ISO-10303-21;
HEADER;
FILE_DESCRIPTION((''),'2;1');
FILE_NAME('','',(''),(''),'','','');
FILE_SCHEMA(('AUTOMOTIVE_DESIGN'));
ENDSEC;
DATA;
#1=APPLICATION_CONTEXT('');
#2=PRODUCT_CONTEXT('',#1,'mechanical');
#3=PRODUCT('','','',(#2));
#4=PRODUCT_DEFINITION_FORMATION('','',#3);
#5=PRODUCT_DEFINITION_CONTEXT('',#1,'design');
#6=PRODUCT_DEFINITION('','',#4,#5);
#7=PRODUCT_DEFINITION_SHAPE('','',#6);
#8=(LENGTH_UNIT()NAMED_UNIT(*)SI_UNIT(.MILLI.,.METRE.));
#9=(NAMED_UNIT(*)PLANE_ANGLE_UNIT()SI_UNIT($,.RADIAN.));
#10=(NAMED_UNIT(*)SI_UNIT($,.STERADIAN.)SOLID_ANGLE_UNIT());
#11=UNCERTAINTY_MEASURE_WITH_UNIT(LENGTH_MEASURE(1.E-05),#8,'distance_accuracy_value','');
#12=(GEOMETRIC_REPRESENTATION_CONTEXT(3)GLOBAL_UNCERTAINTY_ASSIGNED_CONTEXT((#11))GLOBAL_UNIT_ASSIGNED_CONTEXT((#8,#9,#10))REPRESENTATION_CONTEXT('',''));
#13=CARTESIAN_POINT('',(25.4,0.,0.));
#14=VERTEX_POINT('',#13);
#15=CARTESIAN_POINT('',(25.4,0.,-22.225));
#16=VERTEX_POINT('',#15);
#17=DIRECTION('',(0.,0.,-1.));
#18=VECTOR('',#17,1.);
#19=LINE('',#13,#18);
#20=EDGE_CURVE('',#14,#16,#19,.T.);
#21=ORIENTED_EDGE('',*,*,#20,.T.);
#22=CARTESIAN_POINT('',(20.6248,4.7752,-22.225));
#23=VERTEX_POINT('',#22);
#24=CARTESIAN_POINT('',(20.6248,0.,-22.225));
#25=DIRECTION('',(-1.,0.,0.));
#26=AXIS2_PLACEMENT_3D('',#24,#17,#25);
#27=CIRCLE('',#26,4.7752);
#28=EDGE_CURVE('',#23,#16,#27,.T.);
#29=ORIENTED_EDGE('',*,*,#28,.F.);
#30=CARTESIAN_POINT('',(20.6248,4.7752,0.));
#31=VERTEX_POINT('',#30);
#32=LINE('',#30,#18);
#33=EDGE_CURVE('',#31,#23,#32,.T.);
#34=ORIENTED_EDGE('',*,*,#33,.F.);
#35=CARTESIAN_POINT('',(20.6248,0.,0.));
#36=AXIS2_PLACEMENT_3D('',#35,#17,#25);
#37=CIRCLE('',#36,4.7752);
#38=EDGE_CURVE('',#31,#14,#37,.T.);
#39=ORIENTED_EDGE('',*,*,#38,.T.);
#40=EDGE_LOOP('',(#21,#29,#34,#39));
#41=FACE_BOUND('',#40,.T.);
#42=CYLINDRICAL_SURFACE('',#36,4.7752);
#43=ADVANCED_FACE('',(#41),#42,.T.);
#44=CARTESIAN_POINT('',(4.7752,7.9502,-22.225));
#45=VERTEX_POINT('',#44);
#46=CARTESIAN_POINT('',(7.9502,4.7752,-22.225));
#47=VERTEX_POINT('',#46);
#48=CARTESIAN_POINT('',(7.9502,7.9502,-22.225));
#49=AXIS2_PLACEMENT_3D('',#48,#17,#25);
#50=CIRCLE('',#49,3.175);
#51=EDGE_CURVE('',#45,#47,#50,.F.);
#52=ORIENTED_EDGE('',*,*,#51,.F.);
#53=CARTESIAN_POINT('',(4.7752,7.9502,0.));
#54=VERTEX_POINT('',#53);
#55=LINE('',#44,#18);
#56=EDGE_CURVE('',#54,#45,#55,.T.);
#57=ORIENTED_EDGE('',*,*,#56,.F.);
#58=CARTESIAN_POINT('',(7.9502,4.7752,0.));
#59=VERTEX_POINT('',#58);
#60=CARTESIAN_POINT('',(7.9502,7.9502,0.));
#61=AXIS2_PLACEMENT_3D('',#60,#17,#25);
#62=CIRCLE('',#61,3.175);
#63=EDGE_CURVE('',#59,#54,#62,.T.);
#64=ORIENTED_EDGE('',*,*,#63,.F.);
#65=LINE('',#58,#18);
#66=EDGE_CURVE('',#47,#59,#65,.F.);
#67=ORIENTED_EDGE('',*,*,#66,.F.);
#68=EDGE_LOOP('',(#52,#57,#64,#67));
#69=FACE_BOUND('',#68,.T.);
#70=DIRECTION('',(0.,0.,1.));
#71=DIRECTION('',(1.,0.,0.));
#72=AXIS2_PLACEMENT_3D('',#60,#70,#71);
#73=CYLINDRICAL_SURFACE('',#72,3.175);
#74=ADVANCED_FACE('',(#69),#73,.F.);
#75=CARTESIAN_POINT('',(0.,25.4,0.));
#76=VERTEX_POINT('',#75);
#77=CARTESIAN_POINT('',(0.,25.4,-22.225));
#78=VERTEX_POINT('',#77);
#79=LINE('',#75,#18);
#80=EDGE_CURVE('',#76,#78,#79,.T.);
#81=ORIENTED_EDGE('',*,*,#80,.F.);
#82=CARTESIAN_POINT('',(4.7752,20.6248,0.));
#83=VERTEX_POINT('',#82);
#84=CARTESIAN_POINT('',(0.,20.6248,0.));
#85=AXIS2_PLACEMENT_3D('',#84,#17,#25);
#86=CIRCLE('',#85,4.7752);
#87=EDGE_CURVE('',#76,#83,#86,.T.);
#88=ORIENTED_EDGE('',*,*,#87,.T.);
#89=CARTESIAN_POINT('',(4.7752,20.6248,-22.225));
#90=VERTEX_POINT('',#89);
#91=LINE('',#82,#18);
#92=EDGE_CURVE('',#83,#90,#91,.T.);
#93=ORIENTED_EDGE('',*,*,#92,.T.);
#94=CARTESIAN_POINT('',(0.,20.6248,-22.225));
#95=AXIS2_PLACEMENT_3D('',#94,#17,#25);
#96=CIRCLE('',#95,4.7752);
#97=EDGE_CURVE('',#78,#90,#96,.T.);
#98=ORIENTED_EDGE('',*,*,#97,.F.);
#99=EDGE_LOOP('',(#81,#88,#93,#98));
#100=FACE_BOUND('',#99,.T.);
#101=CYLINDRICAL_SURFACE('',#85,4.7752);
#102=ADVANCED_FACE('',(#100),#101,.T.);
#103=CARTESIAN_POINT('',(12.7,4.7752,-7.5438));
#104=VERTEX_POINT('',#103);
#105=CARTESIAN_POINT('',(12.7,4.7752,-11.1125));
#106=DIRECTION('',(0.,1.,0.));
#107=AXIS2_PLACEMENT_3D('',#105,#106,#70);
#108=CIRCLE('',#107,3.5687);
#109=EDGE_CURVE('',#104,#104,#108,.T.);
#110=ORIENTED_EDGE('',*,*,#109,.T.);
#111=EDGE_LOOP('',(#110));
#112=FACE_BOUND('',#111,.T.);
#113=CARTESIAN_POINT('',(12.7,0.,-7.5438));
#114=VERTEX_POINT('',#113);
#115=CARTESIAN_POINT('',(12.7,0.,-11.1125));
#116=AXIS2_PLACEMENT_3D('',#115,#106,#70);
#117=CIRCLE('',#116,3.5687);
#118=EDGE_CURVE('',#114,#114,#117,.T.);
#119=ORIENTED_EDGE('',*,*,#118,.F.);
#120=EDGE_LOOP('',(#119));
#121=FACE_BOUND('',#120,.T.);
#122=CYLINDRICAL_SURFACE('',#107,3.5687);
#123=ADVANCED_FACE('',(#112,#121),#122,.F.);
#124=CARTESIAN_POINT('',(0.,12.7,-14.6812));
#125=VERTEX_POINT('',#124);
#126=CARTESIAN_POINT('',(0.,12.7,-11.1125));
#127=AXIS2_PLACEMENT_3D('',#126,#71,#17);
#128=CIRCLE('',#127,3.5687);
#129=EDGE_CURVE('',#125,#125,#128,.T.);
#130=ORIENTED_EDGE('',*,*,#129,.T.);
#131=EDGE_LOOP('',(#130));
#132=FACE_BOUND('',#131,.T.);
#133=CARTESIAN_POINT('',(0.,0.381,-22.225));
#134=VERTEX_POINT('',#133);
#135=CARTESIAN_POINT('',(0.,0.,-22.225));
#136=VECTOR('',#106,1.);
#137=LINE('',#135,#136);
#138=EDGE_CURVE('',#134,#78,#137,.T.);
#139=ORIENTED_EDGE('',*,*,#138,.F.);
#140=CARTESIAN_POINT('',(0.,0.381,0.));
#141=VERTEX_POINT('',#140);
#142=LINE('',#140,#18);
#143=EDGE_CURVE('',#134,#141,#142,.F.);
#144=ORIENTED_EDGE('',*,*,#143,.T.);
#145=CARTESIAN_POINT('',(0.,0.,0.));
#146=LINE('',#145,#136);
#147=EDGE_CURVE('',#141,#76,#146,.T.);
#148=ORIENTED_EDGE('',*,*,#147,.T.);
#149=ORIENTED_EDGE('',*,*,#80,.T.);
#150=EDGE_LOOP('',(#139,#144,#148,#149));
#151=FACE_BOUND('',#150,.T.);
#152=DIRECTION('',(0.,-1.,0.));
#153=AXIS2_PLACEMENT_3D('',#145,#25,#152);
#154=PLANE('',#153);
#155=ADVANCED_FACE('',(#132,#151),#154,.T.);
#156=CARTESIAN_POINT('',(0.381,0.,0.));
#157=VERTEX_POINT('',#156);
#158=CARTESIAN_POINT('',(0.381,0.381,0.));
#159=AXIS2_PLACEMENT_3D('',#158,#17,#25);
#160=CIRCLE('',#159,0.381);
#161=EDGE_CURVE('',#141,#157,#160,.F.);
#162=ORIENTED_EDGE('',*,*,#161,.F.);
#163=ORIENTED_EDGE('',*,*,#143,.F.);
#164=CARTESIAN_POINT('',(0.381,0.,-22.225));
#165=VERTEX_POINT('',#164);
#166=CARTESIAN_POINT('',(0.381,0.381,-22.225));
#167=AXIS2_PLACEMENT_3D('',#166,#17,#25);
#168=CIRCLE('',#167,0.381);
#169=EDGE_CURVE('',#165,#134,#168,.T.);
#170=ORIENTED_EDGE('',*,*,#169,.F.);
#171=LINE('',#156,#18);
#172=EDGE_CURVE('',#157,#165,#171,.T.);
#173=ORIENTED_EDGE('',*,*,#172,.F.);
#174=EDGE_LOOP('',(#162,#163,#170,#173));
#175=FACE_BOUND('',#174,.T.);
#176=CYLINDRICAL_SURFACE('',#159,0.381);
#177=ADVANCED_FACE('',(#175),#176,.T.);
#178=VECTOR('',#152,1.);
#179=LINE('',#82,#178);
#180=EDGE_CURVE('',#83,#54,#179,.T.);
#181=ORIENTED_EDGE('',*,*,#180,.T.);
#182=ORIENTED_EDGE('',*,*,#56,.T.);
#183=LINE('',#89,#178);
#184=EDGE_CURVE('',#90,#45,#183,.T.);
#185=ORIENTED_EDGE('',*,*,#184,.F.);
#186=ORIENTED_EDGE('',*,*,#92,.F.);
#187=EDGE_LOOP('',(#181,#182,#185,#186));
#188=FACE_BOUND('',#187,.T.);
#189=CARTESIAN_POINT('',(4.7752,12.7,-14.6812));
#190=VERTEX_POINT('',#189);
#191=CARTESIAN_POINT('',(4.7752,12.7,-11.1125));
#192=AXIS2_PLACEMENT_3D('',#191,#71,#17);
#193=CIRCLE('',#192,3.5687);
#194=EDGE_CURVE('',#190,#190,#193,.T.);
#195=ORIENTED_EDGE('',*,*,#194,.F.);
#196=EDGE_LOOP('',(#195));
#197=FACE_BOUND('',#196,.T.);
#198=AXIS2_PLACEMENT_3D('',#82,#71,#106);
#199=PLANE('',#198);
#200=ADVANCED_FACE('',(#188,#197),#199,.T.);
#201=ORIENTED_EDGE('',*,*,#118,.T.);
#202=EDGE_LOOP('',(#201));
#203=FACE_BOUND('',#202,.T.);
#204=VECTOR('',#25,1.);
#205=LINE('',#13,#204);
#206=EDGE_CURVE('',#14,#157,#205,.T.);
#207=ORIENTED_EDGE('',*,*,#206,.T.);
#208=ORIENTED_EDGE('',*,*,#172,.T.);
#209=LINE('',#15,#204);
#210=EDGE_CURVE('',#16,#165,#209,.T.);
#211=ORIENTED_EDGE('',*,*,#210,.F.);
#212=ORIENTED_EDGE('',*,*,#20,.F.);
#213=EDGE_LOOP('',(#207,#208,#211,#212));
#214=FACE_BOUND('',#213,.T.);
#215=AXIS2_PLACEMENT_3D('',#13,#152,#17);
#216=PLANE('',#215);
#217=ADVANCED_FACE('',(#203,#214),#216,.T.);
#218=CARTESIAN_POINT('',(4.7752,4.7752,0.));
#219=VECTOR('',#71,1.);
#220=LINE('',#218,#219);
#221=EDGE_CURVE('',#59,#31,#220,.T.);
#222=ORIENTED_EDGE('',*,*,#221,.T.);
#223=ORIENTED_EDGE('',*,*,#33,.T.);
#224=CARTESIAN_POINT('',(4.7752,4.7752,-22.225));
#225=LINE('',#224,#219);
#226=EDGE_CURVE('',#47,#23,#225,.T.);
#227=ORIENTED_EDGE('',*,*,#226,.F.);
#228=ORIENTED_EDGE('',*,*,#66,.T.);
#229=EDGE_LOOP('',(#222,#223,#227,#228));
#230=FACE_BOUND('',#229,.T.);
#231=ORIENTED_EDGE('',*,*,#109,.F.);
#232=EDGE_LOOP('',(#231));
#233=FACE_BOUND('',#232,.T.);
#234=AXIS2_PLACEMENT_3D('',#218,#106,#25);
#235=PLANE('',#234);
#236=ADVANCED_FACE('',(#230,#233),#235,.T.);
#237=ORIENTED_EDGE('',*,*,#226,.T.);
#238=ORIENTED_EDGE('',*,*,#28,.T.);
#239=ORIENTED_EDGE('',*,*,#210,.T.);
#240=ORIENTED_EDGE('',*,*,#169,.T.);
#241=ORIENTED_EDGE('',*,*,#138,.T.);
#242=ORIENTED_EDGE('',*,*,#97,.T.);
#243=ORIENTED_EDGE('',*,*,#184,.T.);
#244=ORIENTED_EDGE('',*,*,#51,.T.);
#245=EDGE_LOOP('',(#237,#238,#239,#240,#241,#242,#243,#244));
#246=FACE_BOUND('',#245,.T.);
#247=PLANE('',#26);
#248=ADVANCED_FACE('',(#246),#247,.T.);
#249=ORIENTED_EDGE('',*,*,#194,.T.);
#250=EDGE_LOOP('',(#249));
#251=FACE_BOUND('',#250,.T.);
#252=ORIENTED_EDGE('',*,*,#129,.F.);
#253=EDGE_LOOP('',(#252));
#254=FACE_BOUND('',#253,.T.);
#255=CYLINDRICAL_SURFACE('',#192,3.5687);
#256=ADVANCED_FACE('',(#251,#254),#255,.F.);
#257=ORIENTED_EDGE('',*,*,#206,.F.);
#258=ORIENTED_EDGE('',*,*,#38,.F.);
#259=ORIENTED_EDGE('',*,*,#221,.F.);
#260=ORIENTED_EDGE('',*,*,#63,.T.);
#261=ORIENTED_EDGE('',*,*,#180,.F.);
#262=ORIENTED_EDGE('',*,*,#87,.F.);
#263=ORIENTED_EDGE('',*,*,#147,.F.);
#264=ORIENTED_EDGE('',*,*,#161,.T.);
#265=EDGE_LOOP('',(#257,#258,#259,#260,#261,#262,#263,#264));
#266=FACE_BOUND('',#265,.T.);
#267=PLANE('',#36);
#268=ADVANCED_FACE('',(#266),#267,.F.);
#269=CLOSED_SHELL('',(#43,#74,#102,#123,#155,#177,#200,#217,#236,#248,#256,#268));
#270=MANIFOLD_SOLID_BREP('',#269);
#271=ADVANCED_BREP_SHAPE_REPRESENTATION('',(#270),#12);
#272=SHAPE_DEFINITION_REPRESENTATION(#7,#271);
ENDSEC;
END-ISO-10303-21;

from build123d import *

# Parameters (mm, degrees)
BOSS_EXTRUDE1_DEPTH = 11.1125
HOLE1_D             = 7.1374
HOLE2_D             = 7.1374
FILLET1_R           = 0.381
FILLET2_R           = 3.175


with BuildPart() as part:
    # Sketch1 → Boss-Extrude1 (new, symmetric)
    with BuildSketch(Plane(origin=(0, 0, -11.1125), x_dir=(-1, 0, 0), z_dir=(0, 0, -1))):
        with BuildLine():
            Line((-25.4, 0), (0, 0))
            Line((0, 0), (0, 25.4))
            ThreePointArc((0, 25.4), (-3.376576302, 24.001376301), (-4.7752, 20.6248))
            Line((-4.7752, 20.6248), (-4.7752, 4.7752))
            Line((-4.7752, 4.7752), (-20.6248, 4.7752))
            ThreePointArc((-20.6248, 4.7752), (-24.001376302, 3.376576301), (-25.4, 0))
        make_face()
    extrude(amount=BOSS_EXTRUDE1_DEPTH, both=True)

    # Hole1 (through all)
    with Locations(Plane(origin=(0, 4.7752, 0), x_dir=(-1, 0, 0), z_dir=(0, 1, 0))):
        with Locations((-12.7, -11.1125)):
            Hole(HOLE1_D / 2)

    # Hole2 (through all)
    with Locations(Plane(origin=(4.7752, 0, 0), x_dir=(0, 0, -1), z_dir=(1, 0, 0))):
        with Locations((11.1125, 12.7)):
            Hole(HOLE2_D / 2)

    # Fillet1
    fillet1_edges = [part.edges().sort_by_distance(p)[0] for p in [
        (0, 0, -11.1125),
    ]]
    fillet(fillet1_edges, radius=FILLET1_R)

    # Fillet2
    fillet2_edges = [part.edges().sort_by_distance(p)[0] for p in [
        (4.7752, 4.7752, -11.1125),
    ]]
    fillet(fillet2_edges, radius=FILLET2_R)


solid = part.part
